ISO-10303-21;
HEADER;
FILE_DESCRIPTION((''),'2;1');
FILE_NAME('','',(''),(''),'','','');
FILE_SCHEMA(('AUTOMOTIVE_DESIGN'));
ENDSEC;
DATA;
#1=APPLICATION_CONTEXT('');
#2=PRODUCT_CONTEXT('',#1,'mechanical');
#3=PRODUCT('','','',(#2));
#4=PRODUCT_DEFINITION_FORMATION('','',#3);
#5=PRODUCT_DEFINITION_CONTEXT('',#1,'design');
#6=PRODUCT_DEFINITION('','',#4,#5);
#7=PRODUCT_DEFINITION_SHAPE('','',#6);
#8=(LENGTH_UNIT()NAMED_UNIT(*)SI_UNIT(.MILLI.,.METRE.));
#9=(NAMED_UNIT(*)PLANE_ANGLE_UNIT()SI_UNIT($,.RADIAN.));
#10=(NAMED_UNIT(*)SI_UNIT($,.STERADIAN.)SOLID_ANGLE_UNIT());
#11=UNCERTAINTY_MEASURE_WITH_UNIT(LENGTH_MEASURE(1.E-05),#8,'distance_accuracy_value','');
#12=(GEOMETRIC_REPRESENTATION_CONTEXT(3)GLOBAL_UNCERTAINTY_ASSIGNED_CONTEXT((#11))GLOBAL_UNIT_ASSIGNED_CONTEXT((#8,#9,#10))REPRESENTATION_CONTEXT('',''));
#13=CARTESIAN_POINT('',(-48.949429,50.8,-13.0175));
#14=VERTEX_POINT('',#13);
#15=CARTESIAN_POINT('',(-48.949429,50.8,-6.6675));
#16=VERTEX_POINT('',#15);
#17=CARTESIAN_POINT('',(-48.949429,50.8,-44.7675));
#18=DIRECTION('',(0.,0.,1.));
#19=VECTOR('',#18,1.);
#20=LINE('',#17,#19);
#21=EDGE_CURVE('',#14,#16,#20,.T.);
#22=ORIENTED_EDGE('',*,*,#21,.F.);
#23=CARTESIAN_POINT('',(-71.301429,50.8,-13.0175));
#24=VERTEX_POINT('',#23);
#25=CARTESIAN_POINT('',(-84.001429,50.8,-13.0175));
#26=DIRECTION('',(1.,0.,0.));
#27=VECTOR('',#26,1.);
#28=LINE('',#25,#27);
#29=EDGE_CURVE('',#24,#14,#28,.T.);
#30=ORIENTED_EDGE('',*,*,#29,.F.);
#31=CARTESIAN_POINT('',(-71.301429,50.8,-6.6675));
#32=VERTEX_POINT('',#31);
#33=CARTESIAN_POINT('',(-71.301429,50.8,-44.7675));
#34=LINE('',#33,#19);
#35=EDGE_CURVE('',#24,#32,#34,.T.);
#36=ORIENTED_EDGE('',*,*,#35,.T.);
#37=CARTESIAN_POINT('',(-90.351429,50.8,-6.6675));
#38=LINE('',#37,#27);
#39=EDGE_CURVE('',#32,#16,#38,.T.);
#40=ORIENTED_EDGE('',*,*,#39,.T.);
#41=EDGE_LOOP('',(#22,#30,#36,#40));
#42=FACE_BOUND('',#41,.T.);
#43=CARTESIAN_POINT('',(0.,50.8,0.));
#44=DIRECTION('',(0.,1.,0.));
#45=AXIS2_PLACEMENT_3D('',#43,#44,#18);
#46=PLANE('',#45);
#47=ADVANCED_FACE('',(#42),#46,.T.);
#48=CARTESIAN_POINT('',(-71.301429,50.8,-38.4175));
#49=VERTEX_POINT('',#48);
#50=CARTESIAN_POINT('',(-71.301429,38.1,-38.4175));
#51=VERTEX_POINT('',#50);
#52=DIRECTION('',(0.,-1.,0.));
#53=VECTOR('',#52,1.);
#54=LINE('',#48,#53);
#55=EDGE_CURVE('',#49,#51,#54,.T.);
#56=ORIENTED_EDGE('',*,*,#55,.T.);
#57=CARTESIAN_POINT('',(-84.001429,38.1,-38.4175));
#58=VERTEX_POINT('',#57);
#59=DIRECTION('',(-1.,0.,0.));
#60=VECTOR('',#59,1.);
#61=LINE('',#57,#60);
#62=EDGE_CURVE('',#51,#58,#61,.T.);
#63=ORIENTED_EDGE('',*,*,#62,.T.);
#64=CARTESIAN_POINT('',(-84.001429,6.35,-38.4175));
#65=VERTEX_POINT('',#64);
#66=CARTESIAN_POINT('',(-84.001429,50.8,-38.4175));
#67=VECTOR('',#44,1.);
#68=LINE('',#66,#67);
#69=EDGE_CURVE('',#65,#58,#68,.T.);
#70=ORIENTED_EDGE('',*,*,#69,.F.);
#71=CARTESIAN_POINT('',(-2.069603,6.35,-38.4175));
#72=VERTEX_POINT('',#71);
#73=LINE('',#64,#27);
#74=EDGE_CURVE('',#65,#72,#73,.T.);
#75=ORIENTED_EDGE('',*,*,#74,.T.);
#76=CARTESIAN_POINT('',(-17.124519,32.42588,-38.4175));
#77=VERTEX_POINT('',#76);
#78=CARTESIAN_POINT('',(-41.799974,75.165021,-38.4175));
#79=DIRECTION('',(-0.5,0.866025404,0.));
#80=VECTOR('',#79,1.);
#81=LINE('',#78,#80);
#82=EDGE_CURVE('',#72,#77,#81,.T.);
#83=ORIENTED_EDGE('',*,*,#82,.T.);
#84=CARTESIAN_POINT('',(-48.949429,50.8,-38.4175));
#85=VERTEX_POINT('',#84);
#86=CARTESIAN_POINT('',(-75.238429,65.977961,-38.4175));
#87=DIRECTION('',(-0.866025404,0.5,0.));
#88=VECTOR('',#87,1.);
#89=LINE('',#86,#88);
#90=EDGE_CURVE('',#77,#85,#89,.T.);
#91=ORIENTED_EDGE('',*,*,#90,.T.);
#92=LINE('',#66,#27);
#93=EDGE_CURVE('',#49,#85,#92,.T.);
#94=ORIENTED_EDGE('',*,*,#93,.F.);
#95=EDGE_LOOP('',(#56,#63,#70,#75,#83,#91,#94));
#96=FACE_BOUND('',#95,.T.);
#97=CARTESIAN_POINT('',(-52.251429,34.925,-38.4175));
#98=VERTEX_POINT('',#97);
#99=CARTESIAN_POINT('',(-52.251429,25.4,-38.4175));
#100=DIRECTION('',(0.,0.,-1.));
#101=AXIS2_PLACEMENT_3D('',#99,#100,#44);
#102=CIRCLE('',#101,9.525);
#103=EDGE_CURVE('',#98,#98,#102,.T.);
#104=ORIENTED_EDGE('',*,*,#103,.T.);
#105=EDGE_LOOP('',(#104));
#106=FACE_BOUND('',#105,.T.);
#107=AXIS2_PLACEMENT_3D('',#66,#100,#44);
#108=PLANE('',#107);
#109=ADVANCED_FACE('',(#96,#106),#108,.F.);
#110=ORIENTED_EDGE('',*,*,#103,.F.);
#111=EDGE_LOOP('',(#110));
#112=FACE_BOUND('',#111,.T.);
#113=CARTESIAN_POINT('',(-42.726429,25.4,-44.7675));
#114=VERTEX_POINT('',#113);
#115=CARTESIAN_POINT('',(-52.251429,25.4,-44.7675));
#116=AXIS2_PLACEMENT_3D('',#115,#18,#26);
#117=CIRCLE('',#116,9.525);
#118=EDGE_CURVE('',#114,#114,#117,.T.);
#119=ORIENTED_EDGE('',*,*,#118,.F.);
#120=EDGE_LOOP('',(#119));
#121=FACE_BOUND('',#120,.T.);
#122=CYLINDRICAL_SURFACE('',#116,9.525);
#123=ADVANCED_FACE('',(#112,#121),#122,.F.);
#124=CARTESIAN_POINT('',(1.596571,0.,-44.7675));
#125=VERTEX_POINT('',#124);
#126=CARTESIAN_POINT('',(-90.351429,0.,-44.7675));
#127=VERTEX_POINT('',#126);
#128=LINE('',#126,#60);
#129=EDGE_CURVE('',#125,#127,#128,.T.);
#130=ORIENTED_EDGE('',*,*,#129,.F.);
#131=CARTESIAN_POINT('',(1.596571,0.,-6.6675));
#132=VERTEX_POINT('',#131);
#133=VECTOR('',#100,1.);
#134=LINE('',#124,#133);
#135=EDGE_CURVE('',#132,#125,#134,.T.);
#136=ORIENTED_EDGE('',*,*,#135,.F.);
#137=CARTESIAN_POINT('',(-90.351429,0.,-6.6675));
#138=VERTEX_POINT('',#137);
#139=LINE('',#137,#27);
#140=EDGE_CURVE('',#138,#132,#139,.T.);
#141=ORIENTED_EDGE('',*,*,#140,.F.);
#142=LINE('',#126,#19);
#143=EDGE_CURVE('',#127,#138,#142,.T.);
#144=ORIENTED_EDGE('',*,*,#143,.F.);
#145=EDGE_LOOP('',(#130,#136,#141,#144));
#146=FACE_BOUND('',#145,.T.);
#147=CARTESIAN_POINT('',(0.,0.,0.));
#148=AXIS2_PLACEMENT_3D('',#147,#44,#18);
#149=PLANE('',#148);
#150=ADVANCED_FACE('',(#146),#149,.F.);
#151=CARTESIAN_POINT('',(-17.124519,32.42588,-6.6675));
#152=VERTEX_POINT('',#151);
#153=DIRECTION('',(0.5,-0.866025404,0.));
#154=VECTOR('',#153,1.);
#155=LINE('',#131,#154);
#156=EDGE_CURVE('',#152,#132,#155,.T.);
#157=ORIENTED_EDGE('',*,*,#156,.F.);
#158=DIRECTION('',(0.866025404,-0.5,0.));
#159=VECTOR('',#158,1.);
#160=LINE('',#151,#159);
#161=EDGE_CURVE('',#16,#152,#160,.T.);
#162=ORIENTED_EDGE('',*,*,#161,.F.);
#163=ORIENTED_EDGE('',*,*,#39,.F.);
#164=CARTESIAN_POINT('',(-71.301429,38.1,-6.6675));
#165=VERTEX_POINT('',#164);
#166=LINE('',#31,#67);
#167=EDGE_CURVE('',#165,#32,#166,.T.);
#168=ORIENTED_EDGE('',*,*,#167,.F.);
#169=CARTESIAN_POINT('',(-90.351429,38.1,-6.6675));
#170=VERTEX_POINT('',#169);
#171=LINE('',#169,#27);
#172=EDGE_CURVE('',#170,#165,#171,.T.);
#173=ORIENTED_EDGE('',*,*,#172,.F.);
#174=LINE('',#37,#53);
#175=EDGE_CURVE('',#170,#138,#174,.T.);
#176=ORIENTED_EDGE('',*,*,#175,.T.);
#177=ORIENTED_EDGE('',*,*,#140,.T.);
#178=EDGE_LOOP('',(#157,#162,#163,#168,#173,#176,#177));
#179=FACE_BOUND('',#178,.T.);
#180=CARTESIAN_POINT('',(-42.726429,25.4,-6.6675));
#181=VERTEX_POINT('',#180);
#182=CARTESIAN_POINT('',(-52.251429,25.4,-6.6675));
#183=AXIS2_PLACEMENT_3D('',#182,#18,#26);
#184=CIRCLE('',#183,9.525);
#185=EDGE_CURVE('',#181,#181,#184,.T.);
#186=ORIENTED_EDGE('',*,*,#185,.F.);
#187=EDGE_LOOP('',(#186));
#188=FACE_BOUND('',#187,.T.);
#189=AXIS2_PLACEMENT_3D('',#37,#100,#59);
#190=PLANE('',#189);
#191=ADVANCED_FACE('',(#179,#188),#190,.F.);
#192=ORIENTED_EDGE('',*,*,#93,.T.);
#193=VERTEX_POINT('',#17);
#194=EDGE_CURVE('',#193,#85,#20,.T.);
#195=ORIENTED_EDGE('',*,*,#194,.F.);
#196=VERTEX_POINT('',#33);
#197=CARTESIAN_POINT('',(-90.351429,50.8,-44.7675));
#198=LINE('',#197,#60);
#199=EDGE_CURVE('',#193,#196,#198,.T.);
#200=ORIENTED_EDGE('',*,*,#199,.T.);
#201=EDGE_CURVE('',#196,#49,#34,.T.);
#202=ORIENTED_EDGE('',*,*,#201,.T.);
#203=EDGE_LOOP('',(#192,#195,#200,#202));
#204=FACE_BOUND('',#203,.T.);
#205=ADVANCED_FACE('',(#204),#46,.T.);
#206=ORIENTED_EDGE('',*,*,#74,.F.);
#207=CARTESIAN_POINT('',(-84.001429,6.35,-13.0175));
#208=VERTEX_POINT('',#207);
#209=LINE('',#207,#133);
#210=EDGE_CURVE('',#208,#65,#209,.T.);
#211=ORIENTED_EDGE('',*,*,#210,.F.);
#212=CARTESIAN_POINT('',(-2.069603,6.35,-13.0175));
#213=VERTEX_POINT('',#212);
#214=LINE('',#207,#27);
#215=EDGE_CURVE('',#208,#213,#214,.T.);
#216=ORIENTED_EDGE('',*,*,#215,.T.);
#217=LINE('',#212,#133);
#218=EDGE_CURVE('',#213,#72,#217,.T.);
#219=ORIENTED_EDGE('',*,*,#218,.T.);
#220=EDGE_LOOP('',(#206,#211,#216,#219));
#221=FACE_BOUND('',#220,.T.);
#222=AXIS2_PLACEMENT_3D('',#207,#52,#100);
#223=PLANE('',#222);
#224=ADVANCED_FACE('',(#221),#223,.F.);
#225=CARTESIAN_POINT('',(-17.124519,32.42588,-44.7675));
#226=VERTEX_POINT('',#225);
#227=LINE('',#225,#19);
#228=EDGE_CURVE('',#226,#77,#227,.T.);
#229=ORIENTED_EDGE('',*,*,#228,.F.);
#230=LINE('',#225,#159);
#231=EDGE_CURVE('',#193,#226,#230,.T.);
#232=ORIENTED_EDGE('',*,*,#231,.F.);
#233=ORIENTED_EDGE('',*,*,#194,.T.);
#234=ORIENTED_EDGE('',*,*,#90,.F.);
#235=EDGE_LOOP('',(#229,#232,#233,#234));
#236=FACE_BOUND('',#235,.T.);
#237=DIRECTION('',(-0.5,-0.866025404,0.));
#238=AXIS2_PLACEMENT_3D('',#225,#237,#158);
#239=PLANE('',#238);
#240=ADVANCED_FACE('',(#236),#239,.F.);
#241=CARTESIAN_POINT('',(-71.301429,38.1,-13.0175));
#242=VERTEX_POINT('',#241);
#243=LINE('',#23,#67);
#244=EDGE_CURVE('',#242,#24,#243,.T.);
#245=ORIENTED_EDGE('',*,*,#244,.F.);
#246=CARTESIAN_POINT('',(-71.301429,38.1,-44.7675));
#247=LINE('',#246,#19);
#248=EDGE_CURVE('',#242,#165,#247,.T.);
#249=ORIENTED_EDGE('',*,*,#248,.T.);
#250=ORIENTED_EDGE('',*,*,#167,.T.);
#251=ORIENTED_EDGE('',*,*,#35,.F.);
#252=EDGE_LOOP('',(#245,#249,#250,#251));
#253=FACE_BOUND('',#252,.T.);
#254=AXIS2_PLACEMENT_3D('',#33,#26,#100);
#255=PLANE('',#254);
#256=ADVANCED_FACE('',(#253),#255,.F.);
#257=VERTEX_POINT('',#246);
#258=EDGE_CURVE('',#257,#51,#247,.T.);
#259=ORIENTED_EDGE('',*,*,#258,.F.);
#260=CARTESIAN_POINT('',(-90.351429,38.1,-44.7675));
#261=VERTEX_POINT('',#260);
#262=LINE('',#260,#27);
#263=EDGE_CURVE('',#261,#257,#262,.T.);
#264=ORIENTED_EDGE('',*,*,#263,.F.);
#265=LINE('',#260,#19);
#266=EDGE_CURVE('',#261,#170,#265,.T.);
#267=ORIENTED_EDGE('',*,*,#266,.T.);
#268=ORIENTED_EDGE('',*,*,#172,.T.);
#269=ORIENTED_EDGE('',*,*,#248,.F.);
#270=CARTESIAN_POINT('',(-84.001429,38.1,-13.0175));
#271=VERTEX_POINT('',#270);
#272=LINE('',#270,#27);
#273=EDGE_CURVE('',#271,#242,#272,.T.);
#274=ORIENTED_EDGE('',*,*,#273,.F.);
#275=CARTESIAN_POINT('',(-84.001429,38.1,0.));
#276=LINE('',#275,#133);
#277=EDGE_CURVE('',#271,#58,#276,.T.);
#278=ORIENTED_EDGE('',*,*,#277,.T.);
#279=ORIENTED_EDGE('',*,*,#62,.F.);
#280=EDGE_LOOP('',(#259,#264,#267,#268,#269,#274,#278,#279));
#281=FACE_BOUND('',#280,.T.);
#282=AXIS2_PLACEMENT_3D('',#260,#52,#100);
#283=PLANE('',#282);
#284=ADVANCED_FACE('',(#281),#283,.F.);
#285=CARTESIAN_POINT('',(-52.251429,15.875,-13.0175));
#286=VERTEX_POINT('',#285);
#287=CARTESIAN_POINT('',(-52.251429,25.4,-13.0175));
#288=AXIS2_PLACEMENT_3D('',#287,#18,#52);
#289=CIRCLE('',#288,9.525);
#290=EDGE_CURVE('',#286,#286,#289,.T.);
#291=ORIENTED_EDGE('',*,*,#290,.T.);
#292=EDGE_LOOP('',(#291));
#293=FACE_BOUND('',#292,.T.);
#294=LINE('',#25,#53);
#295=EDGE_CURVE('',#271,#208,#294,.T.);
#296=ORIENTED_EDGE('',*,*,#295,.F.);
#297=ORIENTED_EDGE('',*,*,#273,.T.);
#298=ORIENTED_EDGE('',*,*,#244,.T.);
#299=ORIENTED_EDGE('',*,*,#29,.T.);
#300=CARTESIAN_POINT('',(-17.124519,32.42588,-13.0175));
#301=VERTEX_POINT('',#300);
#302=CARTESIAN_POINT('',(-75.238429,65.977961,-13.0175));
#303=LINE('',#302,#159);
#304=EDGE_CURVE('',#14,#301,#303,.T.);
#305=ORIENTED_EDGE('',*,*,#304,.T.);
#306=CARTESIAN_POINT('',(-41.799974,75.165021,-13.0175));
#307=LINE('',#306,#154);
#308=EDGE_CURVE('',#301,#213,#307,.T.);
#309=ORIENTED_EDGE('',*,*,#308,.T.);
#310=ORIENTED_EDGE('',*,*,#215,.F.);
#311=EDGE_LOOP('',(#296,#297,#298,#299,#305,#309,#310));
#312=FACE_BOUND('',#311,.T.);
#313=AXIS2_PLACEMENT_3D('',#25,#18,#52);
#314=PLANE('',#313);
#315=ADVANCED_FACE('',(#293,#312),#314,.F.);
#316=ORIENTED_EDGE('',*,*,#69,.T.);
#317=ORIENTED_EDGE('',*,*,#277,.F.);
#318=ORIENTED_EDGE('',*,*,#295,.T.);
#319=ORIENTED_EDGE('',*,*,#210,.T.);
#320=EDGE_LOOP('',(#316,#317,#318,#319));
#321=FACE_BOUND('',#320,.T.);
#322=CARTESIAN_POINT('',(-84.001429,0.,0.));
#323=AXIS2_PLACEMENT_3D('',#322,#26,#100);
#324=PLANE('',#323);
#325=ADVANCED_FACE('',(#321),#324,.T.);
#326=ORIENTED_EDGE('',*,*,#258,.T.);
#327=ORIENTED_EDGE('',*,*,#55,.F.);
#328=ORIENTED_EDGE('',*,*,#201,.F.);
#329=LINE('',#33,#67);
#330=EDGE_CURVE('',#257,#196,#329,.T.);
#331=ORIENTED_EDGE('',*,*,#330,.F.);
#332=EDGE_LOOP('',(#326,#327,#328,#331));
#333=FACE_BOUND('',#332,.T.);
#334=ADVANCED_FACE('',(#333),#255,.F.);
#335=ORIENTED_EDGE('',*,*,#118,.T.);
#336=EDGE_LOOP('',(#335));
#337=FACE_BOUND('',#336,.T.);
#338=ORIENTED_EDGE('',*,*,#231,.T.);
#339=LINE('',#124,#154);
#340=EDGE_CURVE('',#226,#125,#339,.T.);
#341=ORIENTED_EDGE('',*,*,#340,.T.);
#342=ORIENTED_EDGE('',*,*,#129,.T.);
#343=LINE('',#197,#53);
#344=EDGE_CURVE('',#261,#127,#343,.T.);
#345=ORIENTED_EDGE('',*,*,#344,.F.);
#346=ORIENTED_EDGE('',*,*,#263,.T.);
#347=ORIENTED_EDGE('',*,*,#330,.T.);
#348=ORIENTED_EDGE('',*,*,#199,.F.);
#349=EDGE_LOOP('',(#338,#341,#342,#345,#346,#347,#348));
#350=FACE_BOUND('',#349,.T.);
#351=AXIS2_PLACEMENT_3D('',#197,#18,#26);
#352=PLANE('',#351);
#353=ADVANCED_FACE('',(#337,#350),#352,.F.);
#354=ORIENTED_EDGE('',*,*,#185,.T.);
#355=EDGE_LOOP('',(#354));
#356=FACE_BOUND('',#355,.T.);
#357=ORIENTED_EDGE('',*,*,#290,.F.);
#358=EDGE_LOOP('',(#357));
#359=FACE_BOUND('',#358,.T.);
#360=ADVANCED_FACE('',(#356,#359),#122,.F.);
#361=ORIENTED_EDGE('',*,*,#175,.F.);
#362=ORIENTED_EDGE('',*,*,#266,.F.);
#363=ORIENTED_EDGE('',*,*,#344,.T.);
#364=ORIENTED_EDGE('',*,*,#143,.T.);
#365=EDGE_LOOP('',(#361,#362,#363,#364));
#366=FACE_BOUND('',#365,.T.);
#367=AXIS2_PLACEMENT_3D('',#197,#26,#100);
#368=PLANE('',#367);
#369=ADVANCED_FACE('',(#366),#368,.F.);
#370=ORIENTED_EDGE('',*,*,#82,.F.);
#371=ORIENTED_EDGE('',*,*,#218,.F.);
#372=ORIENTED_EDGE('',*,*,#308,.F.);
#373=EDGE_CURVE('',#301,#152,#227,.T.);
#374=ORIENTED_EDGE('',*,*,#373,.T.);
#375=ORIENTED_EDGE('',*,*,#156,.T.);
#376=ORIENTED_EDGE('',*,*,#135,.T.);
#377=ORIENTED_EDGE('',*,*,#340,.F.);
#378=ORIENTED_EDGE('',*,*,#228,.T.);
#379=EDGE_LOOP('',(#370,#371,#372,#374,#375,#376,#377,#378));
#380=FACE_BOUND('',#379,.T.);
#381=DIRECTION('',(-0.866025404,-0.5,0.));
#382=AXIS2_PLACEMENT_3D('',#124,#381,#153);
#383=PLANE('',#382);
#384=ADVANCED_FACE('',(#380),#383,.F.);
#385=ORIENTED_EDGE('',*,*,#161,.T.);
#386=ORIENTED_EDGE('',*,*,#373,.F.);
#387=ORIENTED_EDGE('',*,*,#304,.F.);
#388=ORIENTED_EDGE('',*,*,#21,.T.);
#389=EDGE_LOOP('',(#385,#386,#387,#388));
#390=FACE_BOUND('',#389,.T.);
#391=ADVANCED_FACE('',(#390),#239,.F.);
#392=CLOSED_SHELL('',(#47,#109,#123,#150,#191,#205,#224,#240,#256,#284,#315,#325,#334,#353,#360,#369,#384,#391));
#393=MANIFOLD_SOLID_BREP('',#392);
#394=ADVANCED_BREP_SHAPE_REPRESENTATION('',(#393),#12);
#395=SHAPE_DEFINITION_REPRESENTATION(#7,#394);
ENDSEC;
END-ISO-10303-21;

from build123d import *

# Parameters (mm, degrees)
SKETCH1_W                   = 91.948
SKETCH1_H                   = 38.1
REC_1_5_X_2_0_X_3_62_DEPTH  = 50.8
SKETCH_1_0_X_1_75_W         = 25.4
SKETCH_1_0_X_1_75_H         = 44.45
REC_1_0_X_1_75_X_3_37_DEPTH = 85.598
SKETCH_0_5_X_0_75_W         = 19.05
SKETCH_0_5_X_0_75_H         = 12.7
REC_0_5_X_0_75_X_1_5_DEPTH  = 39.1
CUT_EXTRUDE4_DEPTH          = 39.1
SKETCH8_R                   = 9.525
CUT_EXTRUDE5_DEPTH          = 39.1


with BuildPart() as part:
    # Sketch1 → Rec : 1.5 x 2.0 x 3.62 (new body)
    with BuildSketch(Plane(origin=(0, 0, 0), x_dir=(1, 0, 0), z_dir=(0, 1, 0))):
        with Locations((-44.377428571, 25.7175)):
            Rectangle(SKETCH1_W, SKETCH1_H)
    extrude(amount=REC_1_5_X_2_0_X_3_62_DEPTH)

    # 1.0 x 1.75 → Rec : 1.0 x 1.75 x 3.37 (cut)
    with BuildSketch(Plane(origin=(1.596571429, 0, 0), x_dir=(0, 0, -1), z_dir=(1, 0, 0))):
        with Locations((25.7175, 28.575)):
            Rectangle(SKETCH_1_0_X_1_75_W, SKETCH_1_0_X_1_75_H)
    extrude(amount=-REC_1_0_X_1_75_X_3_37_DEPTH, mode=Mode.SUBTRACT)

    # 0.5 x 0.75 → Rec : 0.5 x 0.75 x 1.5 (cut, through all)
    with BuildSketch(Plane.XY.offset(-6.6675)):
        with Locations((-80.826428571, 44.45)):
            Rectangle(SKETCH_0_5_X_0_75_W, SKETCH_0_5_X_0_75_H)
    extrude(amount=-REC_0_5_X_0_75_X_1_5_DEPTH, mode=Mode.SUBTRACT)

    # Sketch7 → Cut-Extrude4 (cut, through all)
    with BuildSketch(Plane.XY.offset(-6.6675)):
        Polygon((1.596571429, 0), (-17.124519084, 32.42587994), (-48.949428571, 50.8), (1.596571429, 50.8), align=None)
    extrude(amount=-CUT_EXTRUDE4_DEPTH, mode=Mode.SUBTRACT)

    # Sketch8 → Cut-Extrude5 (cut, through all)
    with BuildSketch(Plane.XY.offset(-6.6675)):
        with Locations((-52.251428571, 25.4)):
            Circle(SKETCH8_R)
    extrude(amount=-CUT_EXTRUDE5_DEPTH, mode=Mode.SUBTRACT)


solid = part.part
